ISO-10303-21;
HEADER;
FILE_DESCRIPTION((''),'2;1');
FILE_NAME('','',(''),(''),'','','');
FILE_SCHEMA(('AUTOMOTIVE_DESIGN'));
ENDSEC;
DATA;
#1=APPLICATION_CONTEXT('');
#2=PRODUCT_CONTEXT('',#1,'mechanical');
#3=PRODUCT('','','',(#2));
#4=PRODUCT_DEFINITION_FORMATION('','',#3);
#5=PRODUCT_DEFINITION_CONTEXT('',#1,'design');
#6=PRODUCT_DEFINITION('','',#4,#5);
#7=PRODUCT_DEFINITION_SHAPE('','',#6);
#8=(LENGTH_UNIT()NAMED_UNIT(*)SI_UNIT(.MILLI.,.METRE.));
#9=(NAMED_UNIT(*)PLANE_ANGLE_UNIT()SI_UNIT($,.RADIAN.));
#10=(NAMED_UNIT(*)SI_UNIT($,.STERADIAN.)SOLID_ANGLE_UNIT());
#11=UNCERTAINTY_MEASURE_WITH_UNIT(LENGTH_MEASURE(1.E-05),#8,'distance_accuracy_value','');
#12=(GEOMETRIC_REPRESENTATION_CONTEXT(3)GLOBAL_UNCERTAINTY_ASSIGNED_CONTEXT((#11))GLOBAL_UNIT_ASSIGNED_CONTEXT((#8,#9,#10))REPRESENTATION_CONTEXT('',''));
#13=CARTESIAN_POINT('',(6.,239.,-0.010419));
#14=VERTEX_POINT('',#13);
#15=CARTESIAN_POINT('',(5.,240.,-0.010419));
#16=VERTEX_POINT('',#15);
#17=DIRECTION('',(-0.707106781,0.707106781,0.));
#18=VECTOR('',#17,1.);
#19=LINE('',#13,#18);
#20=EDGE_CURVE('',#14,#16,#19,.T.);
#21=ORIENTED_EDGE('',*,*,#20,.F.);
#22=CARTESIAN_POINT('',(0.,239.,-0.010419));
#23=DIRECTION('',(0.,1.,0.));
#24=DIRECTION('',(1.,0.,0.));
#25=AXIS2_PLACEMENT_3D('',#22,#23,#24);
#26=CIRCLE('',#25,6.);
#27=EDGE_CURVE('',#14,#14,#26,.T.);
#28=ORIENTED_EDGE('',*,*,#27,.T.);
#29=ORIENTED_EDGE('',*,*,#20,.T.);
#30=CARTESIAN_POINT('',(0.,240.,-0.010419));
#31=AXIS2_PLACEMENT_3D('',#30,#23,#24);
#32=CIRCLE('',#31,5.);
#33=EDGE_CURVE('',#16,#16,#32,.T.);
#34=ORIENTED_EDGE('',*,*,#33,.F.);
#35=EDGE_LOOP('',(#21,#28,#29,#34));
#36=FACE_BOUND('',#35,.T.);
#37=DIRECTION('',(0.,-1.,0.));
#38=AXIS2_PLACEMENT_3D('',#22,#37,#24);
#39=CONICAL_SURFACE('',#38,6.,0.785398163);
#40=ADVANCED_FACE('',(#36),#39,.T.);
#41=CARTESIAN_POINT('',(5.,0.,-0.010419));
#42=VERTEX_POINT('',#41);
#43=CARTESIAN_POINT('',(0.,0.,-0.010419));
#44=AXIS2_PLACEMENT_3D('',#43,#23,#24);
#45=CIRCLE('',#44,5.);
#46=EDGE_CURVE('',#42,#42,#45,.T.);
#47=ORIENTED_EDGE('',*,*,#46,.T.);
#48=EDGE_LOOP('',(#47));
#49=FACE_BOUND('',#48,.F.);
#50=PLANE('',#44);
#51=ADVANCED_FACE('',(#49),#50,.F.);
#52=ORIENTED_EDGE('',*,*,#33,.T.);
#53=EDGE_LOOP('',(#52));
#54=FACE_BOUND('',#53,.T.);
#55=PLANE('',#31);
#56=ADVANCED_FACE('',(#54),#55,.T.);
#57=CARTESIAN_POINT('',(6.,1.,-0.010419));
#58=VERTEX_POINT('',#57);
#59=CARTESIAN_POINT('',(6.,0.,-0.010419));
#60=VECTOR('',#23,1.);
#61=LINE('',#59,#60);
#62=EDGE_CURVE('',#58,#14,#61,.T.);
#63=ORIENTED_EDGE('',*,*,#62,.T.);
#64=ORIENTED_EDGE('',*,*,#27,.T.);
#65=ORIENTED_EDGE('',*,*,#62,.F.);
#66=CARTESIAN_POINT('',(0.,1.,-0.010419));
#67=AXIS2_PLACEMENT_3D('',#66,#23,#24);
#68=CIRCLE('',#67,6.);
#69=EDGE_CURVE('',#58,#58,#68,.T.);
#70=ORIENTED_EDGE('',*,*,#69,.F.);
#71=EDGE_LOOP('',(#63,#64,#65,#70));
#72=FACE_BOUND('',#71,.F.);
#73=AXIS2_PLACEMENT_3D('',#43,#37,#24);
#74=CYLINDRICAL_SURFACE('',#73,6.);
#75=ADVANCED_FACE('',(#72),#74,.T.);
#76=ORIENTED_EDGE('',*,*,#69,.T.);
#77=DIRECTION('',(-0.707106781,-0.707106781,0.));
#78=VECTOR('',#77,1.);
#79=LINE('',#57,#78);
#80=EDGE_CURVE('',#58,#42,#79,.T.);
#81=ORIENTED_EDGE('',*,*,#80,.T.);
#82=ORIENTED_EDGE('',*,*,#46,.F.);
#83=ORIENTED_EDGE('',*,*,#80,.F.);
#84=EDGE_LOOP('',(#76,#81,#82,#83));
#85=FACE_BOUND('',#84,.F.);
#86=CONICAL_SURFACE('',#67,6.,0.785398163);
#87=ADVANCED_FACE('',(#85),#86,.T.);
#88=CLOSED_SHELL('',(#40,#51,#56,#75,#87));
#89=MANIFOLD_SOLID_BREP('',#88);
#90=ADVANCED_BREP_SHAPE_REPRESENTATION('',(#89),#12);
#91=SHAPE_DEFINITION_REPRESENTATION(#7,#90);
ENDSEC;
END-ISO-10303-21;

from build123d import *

# Parameters (mm, degrees)
SKETCH1_R      = 6
EXTRUDE1_DEPTH = 240
CHAMFER1_SIZE  = 1


with BuildPart() as part:
    # Sketch1 → Extrude1 (new body)
    with BuildSketch(Plane(origin=(0, 0, 0), x_dir=(1, 0, 0), z_dir=(0, 1, 0))):
        with Locations((0, 0.010418865)):
            Circle(SKETCH1_R)
    extrude(amount=EXTRUDE1_DEPTH)

    # Chamfer1
    chamfer1_edges = [part.edges().sort_by_distance(p)[0] for p in [
        (-6, 0, -0.010418865),
        (-6, 240, -0.010418865),
    ]]
    chamfer(chamfer1_edges, length=CHAMFER1_SIZE)


solid = part.part
